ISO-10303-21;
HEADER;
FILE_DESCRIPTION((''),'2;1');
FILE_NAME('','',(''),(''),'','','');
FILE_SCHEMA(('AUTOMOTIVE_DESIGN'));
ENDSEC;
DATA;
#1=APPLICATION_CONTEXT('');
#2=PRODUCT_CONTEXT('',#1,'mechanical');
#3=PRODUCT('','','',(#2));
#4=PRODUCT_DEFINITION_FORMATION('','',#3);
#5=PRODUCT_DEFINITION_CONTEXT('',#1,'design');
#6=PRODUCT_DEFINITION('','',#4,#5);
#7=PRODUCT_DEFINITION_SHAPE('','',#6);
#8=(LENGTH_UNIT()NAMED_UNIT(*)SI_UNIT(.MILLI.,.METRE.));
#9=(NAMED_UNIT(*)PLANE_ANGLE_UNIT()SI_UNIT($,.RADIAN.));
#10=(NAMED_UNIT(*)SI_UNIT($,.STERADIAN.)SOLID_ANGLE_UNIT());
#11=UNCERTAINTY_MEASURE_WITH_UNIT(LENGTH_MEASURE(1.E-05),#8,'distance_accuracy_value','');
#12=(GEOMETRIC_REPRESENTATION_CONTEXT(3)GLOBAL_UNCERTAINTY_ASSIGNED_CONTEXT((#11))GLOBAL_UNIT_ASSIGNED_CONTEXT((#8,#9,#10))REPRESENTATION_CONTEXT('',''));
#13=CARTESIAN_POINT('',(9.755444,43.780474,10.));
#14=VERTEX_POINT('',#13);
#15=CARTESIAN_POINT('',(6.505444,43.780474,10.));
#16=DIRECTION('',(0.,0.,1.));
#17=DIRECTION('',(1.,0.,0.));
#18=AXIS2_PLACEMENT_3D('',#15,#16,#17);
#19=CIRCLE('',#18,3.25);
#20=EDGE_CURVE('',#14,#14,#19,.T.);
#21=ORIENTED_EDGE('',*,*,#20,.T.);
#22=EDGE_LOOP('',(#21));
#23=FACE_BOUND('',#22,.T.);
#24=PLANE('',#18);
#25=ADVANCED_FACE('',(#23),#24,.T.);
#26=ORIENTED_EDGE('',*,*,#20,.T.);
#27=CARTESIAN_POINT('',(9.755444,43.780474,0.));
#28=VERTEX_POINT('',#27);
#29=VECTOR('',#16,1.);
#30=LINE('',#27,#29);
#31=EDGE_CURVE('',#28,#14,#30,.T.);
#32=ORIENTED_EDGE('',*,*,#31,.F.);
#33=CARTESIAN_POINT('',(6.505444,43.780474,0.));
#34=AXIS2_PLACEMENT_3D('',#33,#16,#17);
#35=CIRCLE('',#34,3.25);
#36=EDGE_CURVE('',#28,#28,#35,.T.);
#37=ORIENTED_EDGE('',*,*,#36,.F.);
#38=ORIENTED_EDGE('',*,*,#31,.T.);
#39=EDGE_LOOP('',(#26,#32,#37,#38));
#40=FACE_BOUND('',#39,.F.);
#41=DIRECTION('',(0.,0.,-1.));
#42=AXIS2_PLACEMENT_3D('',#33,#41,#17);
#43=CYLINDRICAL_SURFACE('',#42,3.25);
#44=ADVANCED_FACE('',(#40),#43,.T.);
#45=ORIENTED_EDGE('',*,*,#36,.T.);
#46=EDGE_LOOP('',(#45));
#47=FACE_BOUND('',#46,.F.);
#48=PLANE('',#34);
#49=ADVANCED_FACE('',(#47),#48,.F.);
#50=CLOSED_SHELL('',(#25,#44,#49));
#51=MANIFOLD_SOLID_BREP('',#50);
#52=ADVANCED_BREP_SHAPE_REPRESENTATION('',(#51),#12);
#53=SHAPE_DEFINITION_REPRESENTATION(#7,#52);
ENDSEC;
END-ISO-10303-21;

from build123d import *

# Parameters (mm, degrees)
SKETCH_R         = 3.25
EXTRUDE023_DEPTH = 10
EXTRUDE022_DEPTH = 10


with BuildPart() as extrude023:
    # Sketch → Extrude023 (new body)
    with BuildSketch(Plane.XY):
        with Locations((6.505444, 43.780474)):
            Circle(SKETCH_R)
    extrude(amount=EXTRUDE023_DEPTH)


with BuildPart() as led_base:
    # Sketch → Extrude022 (new body)
    with BuildSketch(Plane.XY):
        with Locations((6.505444, 43.780474)):
            Circle(SKETCH_R)
    extrude(amount=EXTRUDE022_DEPTH)

    # Fusion010: union Extrude023
    add(extrude023.part)


solid = led_base.part
